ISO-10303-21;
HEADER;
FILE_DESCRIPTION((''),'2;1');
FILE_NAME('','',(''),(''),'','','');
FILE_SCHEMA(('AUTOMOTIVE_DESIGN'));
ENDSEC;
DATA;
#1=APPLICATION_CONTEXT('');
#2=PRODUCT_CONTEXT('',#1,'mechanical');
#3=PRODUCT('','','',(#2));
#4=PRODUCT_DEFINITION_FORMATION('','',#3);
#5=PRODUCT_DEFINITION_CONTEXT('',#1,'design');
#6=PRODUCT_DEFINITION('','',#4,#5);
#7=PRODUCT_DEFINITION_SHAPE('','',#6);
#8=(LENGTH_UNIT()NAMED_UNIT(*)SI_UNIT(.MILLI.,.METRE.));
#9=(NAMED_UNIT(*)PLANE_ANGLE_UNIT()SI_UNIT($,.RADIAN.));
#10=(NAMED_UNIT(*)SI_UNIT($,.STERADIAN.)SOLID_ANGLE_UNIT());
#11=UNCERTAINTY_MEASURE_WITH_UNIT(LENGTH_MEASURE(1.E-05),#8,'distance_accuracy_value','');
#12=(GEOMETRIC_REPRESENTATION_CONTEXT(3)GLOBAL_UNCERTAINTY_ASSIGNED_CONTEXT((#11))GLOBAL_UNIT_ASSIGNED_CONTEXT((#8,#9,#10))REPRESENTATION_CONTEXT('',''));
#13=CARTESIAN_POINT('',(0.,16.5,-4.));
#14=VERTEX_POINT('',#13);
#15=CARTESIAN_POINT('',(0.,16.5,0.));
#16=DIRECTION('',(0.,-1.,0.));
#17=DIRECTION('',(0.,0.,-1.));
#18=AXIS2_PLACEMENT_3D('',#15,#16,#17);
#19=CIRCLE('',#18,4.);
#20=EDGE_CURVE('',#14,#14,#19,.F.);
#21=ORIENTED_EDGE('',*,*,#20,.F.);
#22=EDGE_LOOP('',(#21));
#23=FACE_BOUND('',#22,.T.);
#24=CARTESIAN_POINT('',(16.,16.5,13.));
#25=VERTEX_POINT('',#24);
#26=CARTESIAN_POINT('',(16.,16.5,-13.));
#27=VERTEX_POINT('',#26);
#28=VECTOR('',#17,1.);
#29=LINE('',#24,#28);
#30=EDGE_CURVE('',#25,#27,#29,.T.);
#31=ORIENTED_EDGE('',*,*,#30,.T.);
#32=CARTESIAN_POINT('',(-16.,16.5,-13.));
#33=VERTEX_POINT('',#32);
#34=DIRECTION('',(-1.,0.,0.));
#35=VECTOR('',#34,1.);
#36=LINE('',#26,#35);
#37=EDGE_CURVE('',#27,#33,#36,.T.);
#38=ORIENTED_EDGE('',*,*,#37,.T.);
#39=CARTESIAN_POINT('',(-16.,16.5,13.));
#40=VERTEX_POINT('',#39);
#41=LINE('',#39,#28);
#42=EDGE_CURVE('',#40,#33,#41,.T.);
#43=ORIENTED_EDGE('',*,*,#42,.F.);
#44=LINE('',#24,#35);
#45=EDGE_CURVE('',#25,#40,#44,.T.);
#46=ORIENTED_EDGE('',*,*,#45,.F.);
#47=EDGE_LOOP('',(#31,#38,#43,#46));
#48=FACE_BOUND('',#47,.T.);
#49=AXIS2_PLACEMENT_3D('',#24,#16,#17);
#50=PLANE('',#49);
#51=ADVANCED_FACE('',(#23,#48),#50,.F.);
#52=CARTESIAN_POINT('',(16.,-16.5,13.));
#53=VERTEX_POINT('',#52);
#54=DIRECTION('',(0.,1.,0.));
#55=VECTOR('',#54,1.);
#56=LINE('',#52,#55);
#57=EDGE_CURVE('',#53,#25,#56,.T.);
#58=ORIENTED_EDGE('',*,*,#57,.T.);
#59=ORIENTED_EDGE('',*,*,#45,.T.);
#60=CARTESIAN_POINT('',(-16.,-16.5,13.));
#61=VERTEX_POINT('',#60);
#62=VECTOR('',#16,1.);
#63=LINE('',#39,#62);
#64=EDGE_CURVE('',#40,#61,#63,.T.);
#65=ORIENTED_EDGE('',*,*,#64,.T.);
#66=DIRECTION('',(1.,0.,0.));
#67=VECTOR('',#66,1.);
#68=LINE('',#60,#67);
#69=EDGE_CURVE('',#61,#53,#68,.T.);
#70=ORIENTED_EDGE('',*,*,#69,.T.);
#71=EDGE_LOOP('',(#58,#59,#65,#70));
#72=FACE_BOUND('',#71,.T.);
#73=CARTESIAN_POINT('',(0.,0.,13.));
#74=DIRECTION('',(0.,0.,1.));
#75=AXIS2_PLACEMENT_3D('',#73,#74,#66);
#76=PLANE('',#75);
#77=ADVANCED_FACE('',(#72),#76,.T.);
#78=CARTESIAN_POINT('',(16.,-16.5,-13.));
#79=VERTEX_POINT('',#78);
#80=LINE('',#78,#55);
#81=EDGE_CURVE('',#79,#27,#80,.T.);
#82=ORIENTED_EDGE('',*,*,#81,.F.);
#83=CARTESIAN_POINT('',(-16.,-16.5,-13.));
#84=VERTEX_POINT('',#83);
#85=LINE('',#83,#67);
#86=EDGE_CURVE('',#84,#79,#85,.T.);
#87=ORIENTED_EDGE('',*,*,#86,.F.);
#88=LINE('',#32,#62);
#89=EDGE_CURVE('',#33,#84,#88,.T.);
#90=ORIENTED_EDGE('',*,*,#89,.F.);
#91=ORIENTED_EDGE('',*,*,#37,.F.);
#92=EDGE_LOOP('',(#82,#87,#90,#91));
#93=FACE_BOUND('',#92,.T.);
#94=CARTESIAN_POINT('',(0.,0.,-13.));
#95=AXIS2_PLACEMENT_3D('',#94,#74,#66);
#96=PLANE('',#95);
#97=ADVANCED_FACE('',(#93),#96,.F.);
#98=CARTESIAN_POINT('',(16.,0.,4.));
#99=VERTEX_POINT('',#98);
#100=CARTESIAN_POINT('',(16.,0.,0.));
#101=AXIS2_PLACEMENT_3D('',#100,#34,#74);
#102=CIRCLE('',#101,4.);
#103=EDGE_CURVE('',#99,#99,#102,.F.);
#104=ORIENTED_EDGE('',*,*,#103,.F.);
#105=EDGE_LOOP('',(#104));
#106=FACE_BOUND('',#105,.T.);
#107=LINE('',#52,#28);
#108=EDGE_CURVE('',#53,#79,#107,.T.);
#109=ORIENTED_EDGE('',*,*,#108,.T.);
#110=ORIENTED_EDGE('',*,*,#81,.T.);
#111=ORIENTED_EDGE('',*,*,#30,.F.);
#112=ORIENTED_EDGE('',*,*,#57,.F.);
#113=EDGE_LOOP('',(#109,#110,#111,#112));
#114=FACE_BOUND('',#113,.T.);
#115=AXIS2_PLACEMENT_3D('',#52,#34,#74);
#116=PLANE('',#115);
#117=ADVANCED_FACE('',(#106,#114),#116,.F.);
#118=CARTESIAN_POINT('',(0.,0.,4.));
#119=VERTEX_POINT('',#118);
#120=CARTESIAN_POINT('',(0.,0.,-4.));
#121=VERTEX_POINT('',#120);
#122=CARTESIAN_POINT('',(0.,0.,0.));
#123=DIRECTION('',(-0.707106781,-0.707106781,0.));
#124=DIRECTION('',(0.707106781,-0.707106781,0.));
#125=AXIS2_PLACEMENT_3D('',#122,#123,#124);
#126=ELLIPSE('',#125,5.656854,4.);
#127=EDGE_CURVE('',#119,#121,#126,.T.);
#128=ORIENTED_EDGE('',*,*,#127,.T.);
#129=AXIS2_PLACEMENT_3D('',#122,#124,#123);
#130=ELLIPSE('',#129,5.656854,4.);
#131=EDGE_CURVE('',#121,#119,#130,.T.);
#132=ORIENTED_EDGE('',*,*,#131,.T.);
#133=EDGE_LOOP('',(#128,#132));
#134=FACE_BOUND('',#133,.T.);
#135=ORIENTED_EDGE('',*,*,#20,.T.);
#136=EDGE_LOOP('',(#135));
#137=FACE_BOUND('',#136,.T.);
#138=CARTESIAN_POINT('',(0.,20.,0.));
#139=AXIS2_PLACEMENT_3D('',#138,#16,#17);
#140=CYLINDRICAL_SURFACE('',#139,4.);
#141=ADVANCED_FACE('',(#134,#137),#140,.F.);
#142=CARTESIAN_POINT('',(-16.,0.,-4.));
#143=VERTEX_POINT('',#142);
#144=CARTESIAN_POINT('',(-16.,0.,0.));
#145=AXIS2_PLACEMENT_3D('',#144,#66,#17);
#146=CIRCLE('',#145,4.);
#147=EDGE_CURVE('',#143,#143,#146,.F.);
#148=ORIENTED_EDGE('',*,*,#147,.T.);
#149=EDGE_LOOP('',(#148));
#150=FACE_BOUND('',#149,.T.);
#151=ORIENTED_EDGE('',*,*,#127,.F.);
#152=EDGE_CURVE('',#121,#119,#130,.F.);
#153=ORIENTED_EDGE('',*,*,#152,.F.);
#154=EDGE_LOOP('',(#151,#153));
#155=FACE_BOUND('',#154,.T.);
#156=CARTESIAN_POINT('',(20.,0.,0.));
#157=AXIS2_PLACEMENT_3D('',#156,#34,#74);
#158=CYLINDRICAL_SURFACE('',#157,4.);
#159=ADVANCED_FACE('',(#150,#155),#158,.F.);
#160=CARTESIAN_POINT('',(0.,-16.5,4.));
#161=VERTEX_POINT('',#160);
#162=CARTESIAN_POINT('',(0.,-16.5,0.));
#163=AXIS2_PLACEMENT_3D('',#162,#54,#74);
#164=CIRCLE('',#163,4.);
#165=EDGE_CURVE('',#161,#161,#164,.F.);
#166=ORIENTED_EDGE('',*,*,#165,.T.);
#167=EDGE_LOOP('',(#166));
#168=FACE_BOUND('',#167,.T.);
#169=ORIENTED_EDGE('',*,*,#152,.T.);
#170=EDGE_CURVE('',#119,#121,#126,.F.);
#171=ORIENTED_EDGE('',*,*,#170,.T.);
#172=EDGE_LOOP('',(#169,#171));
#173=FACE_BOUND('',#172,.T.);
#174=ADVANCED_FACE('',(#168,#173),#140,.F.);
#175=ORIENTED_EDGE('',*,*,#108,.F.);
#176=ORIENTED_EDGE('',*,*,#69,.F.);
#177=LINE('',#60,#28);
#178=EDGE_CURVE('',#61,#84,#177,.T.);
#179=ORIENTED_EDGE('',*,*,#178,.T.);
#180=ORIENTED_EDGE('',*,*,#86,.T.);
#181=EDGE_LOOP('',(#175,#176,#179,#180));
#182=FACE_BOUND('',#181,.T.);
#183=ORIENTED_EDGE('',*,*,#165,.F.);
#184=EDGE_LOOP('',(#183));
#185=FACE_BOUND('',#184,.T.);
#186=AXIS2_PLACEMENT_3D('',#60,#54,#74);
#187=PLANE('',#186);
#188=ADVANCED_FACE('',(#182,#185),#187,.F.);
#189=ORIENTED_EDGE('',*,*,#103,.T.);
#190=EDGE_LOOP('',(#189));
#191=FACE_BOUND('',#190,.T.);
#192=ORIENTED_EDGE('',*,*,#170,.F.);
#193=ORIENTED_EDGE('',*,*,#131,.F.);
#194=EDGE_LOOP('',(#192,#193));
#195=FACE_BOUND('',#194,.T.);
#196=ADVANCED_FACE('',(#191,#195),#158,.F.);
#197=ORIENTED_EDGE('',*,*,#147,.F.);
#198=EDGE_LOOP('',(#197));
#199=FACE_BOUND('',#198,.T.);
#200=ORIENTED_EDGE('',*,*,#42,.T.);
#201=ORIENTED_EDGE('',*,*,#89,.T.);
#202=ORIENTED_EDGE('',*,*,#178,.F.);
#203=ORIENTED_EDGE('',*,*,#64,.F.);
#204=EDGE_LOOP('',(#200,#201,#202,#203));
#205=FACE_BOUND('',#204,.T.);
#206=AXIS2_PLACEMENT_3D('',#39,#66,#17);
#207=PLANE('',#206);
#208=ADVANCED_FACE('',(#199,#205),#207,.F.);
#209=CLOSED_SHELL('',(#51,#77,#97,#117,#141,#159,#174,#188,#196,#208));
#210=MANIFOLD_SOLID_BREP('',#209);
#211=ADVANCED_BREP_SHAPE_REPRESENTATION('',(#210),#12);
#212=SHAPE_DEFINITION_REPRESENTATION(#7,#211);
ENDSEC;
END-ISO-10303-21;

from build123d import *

# Parameters (mm, degrees)
SK_BLOCK_W       = 32
SK_BLOCK_H       = 33
BLOCK_DEPTH      = 26
SK_PITCH_BORE_R  = 4
PITCH_BORE_DEPTH = 40
SK_ROLL_BORE_R   = 4
ROLL_BORE_DEPTH  = 40


with BuildPart() as part:
    # SK_Block → Block (new body)
    with BuildSketch(Plane.XY.offset(-13)):
        Rectangle(SK_BLOCK_W, SK_BLOCK_H)
    extrude(amount=BLOCK_DEPTH)

    # SK_Pitch_Bore → Pitch_Bore (cut)
    with BuildSketch(Plane(origin=(0, -20, 0), x_dir=(1, 0, 0), z_dir=(0, 1, 0))):
        Circle(SK_PITCH_BORE_R)
    extrude(amount=PITCH_BORE_DEPTH, mode=Mode.SUBTRACT)

    # SK_Roll_Bore → Roll_Bore (cut)
    with BuildSketch(Plane(origin=(-20, 0, 0), x_dir=(0, 0, -1), z_dir=(1, 0, 0))):
        Circle(SK_ROLL_BORE_R)
    extrude(amount=ROLL_BORE_DEPTH, mode=Mode.SUBTRACT)


solid = part.part
